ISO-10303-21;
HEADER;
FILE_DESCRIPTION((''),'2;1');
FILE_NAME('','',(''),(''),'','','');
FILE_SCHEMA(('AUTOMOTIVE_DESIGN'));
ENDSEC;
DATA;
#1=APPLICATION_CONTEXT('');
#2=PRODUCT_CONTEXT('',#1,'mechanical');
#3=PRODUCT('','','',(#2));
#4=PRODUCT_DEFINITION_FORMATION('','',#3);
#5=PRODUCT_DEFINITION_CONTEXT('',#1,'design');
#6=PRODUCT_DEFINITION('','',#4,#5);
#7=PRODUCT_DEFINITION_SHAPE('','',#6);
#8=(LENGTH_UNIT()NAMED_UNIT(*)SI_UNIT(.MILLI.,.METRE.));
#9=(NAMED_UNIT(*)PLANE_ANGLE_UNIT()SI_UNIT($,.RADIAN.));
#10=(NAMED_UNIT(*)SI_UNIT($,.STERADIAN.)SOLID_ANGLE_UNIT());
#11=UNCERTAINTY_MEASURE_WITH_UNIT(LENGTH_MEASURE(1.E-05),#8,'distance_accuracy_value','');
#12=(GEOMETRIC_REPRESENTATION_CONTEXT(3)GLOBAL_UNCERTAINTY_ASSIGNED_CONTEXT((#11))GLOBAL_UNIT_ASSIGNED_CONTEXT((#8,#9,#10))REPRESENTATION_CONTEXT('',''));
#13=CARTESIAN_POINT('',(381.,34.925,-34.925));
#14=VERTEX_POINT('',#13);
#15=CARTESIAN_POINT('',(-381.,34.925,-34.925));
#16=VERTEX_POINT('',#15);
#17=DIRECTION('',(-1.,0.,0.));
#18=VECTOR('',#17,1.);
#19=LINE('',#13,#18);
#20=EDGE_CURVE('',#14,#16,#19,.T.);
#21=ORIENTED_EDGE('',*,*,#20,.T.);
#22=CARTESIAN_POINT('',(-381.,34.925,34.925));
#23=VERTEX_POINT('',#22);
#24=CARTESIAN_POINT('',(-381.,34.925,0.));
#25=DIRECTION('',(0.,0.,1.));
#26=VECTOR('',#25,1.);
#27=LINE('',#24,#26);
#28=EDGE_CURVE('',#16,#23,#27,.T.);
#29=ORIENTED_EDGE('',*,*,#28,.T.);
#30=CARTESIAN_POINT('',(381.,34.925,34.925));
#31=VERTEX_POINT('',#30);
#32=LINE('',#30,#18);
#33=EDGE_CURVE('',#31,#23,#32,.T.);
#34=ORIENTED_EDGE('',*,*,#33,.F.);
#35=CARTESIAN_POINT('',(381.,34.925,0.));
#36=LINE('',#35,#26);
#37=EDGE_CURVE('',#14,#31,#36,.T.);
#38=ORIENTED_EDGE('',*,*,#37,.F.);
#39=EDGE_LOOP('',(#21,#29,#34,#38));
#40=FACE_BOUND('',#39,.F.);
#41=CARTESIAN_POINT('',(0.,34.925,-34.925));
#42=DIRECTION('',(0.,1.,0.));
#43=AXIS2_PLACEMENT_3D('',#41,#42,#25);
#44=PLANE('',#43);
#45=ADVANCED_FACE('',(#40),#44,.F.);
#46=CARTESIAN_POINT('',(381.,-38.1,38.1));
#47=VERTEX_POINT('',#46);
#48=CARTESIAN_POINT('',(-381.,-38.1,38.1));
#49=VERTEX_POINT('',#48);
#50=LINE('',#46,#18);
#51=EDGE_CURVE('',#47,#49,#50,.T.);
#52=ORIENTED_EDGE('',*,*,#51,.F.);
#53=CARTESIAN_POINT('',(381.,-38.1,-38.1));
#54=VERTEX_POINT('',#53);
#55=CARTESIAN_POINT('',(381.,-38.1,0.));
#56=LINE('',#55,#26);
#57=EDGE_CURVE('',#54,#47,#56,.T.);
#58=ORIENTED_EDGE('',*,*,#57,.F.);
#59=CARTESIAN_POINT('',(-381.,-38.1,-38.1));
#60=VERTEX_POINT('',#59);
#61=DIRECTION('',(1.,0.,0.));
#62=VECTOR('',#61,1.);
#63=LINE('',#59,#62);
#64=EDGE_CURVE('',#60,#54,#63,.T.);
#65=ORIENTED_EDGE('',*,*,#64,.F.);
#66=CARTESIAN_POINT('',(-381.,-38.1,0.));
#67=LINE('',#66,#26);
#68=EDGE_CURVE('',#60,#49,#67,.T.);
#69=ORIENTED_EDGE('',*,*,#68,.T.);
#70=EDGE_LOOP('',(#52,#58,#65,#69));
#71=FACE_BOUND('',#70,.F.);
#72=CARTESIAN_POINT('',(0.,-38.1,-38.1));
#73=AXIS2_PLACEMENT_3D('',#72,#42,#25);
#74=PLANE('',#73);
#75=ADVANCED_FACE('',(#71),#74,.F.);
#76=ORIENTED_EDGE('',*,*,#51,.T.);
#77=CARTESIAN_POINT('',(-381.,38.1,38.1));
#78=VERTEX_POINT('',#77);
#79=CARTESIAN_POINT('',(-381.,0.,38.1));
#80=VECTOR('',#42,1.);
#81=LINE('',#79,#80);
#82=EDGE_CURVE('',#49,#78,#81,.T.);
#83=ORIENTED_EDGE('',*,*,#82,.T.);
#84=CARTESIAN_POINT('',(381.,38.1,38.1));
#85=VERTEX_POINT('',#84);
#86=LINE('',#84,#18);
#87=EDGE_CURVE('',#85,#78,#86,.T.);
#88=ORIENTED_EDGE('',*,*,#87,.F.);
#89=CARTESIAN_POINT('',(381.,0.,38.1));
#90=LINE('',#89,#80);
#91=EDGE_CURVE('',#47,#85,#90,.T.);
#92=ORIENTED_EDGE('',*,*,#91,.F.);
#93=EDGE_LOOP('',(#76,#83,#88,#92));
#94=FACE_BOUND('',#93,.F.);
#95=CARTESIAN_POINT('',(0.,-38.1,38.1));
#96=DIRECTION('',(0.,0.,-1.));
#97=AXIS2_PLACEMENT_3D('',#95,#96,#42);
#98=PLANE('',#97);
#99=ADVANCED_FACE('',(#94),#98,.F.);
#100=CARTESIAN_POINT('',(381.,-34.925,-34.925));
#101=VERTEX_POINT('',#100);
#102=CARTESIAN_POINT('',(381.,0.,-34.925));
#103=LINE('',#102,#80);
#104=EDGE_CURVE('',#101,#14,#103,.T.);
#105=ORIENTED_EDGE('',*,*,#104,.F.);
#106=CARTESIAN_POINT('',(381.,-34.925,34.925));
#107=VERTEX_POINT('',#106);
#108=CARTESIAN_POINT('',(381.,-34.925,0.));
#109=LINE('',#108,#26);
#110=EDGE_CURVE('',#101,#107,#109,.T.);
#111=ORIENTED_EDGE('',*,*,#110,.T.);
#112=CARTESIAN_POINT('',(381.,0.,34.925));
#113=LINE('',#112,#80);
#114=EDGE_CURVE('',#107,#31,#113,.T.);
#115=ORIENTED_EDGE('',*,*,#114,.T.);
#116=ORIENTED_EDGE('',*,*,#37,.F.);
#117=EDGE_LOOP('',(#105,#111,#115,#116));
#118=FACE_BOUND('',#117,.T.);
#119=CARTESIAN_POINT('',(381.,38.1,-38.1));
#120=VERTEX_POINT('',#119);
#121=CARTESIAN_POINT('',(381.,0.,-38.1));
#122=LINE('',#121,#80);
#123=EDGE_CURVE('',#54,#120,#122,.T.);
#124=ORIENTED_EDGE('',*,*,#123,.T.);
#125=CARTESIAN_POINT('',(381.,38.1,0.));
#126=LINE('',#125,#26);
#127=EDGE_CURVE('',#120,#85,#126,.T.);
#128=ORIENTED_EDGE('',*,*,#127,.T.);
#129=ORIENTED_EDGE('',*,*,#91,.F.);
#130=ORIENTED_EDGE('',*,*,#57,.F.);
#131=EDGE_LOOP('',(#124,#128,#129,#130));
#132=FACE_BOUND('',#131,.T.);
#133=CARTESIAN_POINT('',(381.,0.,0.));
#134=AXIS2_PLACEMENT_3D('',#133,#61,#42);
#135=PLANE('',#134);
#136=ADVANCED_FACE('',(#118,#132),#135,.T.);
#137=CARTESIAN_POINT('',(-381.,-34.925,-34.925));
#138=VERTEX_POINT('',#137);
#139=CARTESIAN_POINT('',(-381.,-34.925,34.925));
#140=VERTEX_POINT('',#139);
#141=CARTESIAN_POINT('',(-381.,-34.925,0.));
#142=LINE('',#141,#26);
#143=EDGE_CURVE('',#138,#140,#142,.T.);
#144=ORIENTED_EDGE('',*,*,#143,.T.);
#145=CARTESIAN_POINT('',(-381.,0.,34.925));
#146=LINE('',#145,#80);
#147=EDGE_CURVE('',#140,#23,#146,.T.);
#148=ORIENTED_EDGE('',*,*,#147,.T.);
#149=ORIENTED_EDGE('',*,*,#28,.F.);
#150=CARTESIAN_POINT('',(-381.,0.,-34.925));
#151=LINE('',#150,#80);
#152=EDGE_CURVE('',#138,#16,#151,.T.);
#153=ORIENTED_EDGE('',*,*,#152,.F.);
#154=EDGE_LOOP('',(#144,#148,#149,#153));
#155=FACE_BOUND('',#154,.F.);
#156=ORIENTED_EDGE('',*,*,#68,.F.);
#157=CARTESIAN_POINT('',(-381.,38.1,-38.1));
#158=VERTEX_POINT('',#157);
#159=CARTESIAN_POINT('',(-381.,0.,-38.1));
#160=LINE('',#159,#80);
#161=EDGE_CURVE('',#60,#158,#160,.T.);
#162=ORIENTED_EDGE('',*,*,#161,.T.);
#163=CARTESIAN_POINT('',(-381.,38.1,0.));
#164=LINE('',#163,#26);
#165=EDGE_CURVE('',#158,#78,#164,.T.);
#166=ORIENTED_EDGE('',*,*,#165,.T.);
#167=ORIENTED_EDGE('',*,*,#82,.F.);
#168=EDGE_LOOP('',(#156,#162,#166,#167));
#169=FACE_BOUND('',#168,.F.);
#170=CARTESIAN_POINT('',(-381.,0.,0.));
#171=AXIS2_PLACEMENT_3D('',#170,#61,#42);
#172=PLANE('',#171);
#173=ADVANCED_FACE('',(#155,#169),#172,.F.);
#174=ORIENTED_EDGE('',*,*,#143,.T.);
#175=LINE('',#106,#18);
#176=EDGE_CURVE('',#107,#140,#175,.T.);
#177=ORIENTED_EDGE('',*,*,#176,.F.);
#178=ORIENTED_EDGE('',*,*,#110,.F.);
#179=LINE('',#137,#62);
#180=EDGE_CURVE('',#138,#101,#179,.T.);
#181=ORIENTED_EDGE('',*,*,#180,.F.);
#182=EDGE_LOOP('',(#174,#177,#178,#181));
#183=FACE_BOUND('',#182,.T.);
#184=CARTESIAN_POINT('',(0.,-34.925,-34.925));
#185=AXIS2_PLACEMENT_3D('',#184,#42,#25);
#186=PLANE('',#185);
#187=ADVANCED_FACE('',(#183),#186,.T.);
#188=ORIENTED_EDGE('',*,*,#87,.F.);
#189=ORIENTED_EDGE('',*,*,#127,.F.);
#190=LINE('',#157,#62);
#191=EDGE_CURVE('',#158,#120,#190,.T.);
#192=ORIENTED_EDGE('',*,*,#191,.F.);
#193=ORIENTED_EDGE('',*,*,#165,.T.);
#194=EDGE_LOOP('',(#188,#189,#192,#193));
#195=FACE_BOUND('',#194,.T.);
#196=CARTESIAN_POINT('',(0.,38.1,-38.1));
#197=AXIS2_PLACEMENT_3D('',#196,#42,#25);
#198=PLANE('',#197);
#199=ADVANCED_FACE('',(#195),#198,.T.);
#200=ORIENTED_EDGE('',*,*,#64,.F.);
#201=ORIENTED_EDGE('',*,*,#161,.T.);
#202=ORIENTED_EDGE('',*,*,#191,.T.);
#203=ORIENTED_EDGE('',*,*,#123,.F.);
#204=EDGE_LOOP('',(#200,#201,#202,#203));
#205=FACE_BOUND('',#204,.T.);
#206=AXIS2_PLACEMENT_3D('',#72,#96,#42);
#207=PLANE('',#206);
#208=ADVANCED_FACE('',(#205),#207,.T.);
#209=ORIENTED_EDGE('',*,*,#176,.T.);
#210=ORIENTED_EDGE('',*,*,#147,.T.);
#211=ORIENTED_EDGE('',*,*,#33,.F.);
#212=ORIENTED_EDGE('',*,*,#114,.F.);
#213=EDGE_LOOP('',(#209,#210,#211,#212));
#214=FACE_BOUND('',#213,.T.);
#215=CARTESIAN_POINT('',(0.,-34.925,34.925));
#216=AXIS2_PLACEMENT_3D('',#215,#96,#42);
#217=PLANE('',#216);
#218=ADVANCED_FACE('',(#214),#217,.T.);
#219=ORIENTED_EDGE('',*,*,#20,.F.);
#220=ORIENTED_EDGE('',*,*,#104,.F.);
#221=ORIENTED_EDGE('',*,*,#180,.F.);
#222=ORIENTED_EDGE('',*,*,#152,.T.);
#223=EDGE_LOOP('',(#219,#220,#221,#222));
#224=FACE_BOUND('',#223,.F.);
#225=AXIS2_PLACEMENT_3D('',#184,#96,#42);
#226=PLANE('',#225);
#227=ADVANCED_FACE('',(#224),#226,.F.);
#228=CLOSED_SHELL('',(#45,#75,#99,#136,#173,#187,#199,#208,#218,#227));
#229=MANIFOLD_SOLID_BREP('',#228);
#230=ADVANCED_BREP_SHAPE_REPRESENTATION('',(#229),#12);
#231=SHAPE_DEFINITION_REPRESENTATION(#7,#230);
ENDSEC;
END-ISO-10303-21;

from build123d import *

# Parameters (mm, degrees)
F0_W          = 76.2
F0_H          = 76.2
F0_W_2        = 69.85
F0_H_2        = 69.85
F1_DEPTH      = 381
F1_DEPTH_BACK = 381


with BuildPart() as f1:
    # F0 (on Right) → F1 (new body, two sides)
    with BuildSketch(Plane.YZ) as f1_sk:
        Rectangle(F0_W, F0_H)
        Rectangle(F0_W_2, F0_H_2, mode=Mode.SUBTRACT)
    extrude(amount=F1_DEPTH)
    extrude(f1_sk.sketch, amount=-F1_DEPTH_BACK)


solid = f1.part
